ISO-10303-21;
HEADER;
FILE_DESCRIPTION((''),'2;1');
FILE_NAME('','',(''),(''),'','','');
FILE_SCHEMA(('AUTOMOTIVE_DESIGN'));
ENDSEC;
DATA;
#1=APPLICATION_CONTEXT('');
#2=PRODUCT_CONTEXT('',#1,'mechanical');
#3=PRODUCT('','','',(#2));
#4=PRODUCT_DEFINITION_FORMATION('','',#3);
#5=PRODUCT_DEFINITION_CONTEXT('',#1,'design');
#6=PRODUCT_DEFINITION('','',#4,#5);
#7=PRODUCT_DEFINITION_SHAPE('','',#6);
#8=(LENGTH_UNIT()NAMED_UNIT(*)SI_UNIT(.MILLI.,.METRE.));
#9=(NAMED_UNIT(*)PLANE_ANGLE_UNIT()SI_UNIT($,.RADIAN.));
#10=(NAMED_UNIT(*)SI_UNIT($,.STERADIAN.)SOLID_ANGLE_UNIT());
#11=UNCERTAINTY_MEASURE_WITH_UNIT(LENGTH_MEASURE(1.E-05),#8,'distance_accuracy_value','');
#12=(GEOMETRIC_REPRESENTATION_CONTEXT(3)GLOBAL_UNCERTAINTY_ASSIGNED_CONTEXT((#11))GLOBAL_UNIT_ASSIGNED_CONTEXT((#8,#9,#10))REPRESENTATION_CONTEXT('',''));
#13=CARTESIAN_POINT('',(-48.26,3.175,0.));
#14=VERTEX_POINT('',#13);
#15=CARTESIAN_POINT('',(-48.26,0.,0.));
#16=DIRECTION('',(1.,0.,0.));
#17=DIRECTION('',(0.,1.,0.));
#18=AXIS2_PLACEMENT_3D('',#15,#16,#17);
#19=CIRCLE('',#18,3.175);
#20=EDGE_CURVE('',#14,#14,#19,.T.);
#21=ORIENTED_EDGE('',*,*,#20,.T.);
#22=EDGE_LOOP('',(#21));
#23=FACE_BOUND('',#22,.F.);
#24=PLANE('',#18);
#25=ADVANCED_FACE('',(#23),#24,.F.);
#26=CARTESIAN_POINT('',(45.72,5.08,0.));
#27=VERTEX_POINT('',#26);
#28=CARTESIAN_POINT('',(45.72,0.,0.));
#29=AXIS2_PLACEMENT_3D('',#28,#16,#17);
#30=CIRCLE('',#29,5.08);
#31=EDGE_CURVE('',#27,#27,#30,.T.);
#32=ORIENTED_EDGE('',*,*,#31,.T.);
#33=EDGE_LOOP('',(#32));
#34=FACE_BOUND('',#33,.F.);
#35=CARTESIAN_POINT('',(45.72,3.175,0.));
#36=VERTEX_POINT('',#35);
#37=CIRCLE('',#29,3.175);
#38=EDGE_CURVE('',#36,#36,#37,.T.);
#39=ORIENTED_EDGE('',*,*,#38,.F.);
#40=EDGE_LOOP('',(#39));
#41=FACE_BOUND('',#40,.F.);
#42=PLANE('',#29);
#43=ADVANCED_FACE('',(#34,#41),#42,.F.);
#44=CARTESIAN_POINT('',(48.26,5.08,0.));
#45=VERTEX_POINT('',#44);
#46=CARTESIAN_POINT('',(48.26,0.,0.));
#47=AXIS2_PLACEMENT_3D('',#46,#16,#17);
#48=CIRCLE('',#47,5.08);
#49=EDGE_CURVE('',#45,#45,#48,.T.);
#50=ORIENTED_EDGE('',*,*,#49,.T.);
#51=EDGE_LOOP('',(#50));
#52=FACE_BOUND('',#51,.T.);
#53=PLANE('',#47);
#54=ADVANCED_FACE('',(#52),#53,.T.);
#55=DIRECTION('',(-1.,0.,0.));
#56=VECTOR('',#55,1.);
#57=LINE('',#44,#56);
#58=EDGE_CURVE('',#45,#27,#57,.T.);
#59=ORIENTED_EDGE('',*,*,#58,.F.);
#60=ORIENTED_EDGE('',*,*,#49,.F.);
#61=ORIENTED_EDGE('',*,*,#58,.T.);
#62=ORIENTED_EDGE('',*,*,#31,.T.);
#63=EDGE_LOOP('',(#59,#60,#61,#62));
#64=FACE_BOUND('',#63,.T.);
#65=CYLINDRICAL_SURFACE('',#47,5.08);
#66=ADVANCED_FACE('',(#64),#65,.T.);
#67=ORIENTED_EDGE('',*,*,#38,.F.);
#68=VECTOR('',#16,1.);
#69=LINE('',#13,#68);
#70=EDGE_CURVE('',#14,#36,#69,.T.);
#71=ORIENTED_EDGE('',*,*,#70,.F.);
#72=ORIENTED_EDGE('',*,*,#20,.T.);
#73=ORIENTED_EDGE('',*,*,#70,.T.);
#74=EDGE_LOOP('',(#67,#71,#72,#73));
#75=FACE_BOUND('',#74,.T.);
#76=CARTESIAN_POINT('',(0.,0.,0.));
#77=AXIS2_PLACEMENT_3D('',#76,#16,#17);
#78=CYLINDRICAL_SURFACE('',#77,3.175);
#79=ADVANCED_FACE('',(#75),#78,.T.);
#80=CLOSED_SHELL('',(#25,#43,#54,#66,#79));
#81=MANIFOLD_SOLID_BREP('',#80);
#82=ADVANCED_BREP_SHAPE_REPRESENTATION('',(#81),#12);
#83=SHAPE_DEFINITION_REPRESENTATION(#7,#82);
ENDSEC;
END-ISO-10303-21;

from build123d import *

# Parameters (mm, degrees)
F0_R     = 3.175
F1_DEPTH = 48.26
F2_R     = 5.08
F3_DEPTH = 2.54


with BuildPart() as f1:
    # F0 (on Right) → F1 (new body, symmetric)
    with BuildSketch(Plane.YZ):
        Circle(F0_R)
    extrude(amount=F1_DEPTH, both=True)

    # F2 (on face) → F3 (join)
    with BuildSketch(Plane.YZ.offset(48.26)):
        Circle(F2_R)
    extrude(amount=-F3_DEPTH)


solid = f1.part
